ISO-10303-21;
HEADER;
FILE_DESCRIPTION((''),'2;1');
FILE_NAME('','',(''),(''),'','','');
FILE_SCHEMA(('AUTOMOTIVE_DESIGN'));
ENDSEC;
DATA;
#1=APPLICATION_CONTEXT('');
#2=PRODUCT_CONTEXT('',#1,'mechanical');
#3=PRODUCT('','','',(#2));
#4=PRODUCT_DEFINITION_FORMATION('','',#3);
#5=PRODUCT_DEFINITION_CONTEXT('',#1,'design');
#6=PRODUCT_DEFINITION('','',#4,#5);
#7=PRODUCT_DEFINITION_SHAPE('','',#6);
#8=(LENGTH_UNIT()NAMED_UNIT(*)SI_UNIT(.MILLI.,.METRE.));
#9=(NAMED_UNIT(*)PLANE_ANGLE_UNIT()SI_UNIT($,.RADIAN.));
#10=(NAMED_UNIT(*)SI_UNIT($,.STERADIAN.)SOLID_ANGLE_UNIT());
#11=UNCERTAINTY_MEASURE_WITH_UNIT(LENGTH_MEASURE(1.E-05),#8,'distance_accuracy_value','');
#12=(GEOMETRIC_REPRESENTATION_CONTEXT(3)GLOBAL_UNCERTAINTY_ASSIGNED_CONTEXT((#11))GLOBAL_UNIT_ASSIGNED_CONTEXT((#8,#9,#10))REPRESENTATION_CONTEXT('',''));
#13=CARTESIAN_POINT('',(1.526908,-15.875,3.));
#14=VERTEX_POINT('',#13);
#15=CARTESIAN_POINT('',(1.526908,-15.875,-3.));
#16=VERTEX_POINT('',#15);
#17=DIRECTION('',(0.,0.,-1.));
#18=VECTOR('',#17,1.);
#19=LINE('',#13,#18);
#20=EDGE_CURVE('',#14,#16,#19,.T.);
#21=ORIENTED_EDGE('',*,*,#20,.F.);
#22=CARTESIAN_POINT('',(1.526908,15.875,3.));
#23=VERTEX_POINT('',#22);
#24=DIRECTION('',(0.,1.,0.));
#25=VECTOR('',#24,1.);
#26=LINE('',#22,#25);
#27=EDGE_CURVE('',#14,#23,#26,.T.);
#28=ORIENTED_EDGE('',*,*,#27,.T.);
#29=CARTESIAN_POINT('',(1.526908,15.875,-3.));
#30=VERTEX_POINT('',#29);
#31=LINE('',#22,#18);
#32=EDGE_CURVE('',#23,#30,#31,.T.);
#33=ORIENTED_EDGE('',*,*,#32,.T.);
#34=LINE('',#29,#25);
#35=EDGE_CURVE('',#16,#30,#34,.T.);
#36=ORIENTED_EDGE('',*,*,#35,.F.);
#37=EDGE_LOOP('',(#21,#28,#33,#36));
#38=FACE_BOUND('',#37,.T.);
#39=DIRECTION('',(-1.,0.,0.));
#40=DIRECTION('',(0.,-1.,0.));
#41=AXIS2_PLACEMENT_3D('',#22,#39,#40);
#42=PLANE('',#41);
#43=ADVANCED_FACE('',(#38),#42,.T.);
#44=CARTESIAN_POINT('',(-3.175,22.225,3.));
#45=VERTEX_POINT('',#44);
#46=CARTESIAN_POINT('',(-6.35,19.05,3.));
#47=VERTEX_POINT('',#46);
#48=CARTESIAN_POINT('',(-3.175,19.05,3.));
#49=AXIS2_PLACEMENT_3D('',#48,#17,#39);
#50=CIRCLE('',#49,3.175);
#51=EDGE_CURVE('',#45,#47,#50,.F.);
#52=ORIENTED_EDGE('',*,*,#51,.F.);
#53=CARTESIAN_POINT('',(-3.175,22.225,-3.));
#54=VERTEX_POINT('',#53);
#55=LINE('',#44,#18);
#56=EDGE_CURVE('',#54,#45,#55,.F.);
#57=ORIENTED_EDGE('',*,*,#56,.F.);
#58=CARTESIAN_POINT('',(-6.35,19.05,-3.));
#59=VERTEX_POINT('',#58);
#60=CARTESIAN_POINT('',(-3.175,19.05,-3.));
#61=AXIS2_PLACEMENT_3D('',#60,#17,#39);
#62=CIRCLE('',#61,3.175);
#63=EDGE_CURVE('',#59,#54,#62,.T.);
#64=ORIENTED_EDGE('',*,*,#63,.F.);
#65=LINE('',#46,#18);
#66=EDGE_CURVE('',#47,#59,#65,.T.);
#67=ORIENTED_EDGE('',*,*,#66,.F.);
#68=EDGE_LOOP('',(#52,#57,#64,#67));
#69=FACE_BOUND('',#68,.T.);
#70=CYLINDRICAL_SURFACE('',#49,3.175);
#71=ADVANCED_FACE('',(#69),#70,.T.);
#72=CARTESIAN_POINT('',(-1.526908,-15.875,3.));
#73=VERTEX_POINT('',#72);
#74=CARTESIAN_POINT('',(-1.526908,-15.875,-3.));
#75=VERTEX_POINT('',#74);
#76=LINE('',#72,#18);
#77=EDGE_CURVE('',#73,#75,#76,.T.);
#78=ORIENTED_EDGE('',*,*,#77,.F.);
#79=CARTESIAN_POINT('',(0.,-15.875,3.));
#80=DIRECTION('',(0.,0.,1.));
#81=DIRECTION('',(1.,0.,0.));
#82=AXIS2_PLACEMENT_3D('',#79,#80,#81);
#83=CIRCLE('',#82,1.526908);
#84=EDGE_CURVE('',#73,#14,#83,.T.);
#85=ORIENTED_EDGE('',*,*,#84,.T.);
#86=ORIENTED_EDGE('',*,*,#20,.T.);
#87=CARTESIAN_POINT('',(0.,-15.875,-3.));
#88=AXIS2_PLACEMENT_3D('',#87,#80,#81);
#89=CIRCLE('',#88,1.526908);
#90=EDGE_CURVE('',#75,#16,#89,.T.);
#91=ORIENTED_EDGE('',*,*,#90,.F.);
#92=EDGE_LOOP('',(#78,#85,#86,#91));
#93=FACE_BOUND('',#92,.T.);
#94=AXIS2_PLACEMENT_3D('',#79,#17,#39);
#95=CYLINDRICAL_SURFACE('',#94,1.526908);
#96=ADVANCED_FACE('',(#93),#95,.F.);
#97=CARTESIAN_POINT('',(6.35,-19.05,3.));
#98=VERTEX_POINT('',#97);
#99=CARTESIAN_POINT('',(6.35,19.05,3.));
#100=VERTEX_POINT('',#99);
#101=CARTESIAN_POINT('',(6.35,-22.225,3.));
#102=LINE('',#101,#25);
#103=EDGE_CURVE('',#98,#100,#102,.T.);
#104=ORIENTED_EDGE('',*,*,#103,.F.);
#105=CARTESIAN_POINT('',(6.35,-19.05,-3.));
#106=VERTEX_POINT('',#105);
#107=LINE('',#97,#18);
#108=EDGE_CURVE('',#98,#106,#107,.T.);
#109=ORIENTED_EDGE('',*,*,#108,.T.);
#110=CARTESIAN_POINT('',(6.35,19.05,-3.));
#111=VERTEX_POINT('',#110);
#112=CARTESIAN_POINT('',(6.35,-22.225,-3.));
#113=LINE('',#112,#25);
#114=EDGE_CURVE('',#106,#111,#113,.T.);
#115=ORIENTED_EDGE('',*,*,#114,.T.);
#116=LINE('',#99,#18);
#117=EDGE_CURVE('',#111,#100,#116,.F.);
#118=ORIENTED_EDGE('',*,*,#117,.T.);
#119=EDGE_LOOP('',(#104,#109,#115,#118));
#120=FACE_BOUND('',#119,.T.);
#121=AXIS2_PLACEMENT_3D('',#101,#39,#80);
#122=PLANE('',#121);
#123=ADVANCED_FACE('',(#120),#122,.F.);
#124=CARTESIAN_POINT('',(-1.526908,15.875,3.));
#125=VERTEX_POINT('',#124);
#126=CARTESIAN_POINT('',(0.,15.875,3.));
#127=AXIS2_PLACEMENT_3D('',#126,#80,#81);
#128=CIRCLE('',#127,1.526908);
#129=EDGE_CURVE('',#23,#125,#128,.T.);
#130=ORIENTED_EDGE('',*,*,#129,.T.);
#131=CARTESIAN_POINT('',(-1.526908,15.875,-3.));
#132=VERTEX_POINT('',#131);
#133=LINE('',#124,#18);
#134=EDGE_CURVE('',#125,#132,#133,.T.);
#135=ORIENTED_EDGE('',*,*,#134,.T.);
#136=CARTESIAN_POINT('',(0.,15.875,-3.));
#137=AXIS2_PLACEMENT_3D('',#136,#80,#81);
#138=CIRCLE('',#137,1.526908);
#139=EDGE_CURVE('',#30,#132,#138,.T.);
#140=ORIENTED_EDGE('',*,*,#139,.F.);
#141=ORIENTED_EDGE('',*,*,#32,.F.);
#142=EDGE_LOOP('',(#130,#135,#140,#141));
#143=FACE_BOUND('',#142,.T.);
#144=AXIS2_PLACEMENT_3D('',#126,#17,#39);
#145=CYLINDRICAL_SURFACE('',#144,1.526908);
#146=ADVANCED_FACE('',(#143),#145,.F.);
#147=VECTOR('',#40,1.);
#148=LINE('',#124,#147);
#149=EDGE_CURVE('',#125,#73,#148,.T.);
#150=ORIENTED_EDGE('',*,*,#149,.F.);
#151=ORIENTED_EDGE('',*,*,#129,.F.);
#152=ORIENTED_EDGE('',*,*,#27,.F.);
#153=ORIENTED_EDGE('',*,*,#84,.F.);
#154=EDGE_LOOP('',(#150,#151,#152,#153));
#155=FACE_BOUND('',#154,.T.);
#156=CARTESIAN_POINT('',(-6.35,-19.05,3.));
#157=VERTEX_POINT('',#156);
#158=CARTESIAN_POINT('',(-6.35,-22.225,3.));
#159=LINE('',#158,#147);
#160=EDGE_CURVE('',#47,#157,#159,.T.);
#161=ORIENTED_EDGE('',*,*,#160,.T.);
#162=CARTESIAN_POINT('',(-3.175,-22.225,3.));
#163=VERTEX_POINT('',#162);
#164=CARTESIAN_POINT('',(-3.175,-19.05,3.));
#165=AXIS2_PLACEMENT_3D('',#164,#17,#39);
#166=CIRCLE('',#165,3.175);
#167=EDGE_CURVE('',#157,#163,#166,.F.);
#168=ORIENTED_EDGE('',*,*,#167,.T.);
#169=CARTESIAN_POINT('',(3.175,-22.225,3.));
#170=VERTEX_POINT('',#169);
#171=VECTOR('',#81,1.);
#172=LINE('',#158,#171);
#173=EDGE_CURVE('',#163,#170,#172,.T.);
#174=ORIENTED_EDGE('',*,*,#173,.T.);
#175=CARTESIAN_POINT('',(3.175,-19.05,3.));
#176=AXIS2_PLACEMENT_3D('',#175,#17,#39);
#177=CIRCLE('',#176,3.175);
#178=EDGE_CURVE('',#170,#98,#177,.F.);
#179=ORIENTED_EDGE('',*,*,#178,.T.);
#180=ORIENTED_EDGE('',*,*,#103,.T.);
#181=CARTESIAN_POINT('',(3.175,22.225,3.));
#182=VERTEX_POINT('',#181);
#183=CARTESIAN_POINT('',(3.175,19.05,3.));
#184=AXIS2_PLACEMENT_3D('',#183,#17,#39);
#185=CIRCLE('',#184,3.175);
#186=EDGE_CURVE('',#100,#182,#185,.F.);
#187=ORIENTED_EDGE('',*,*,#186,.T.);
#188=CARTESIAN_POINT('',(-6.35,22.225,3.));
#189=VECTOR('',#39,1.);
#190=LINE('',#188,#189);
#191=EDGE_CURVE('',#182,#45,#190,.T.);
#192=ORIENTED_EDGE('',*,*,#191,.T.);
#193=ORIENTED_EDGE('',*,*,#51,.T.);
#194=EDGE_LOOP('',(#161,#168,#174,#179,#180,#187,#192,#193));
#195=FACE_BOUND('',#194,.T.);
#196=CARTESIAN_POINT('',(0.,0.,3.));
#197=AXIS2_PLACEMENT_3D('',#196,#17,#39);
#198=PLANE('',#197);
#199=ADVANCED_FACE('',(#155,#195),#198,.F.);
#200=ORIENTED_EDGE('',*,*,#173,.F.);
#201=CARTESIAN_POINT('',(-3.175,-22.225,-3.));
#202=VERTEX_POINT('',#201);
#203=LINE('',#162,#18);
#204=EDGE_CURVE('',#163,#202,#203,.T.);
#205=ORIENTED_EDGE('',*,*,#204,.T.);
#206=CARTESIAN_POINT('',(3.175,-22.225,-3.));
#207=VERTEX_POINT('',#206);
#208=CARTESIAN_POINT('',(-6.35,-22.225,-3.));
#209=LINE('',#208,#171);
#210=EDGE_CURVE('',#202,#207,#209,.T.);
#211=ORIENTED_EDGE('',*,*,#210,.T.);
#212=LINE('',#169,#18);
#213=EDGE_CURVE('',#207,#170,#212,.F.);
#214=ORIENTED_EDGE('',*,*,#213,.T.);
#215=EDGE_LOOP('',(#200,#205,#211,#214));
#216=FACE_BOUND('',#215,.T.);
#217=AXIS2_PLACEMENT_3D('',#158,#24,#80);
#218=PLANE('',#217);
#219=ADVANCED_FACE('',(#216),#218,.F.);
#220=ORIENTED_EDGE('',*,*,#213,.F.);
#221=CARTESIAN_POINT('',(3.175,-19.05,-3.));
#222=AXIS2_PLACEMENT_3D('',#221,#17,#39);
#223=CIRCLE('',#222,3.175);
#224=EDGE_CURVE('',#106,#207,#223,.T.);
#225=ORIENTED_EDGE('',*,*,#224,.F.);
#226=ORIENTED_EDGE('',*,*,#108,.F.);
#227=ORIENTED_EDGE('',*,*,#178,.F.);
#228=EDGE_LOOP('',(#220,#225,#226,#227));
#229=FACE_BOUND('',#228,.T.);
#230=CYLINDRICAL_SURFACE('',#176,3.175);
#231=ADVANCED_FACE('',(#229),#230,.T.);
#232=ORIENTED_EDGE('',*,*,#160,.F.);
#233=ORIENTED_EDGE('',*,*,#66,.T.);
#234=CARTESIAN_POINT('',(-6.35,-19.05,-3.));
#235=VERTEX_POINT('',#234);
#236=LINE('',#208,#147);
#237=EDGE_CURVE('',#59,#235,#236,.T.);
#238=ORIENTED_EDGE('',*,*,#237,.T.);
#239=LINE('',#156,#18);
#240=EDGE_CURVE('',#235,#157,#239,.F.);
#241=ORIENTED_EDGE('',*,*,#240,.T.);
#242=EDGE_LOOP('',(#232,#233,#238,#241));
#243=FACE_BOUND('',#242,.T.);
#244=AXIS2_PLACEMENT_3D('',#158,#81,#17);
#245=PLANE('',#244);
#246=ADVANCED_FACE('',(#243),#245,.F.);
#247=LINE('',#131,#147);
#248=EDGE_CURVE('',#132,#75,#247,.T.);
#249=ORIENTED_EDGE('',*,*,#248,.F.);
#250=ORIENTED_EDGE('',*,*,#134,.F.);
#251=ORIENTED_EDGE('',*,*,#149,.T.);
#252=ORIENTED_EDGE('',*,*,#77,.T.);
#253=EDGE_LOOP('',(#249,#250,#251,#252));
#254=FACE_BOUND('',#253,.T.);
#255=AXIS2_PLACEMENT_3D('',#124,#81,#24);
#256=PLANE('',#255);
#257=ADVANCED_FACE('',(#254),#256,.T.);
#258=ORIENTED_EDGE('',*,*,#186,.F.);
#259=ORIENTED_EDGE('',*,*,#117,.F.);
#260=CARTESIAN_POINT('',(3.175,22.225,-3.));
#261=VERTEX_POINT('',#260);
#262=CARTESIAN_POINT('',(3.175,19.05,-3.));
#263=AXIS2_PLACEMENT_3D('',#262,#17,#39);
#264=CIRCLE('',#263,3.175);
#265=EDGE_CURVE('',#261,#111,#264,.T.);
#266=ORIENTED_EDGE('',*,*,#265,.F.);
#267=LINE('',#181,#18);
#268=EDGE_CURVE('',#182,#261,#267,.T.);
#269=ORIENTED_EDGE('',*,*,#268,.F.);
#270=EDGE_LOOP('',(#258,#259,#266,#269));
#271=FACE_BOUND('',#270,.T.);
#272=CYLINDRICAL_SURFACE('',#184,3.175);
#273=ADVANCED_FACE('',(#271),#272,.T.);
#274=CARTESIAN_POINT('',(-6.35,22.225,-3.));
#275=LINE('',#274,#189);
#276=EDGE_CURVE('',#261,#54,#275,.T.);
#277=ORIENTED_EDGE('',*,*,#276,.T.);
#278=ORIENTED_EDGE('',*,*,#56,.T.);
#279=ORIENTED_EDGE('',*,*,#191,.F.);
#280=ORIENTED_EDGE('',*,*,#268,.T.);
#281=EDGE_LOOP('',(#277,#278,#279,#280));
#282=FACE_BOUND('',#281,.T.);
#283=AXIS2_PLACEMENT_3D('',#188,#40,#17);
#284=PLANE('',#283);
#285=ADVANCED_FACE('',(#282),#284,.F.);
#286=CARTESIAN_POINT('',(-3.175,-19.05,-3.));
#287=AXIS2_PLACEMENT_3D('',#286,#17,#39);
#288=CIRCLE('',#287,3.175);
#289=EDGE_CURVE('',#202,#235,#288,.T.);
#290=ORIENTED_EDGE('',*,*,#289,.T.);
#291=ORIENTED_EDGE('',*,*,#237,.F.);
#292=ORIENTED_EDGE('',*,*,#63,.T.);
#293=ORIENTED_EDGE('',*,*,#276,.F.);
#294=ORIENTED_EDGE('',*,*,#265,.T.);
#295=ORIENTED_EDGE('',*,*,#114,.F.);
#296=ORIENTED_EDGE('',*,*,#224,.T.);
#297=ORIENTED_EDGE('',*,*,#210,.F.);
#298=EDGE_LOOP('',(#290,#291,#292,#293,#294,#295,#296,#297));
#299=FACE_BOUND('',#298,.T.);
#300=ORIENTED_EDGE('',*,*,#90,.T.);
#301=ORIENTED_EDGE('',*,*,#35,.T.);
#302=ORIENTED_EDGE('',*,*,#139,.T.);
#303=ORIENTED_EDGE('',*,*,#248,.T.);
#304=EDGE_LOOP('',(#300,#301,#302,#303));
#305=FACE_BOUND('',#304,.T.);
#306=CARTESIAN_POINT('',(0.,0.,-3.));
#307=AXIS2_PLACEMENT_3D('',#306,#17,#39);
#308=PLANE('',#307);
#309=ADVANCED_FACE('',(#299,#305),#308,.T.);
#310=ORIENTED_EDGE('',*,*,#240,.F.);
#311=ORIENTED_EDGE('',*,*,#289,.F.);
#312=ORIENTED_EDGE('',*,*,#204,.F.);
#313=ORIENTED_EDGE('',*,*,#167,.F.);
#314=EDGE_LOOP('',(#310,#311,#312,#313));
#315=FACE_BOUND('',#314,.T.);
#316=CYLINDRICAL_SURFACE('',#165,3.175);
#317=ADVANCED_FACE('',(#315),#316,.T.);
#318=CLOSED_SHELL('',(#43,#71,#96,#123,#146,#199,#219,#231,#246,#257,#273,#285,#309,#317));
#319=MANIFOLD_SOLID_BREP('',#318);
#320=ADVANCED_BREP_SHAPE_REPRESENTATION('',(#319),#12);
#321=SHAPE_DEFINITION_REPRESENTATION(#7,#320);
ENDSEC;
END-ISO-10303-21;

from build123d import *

# Parameters (mm, degrees)
SKETCH1_W           = 12.7
SKETCH1_H           = 44.45
BOSS_EXTRUDE1_DEPTH = 3
FILLET1_R           = 3.175


with BuildPart() as part:
    # Sketch1 → Boss-Extrude1 (new, symmetric)
    with BuildSketch(Plane.XY):
        Rectangle(SKETCH1_W, SKETCH1_H)
        with BuildLine():
            Line((1.526908397, 15.875), (1.526908397, -15.875))
            ThreePointArc((1.526908397, -15.875), (0, -17.401908397), (-1.526908397, -15.875))
            Line((-1.526908397, -15.875), (-1.526908397, 15.875))
            ThreePointArc((-1.526908397, 15.875), (0, 17.401908397), (1.526908397, 15.875))
        make_face(mode=Mode.SUBTRACT)
    extrude(amount=BOSS_EXTRUDE1_DEPTH, both=True)

    # Fillet1
    fillet1_edges = [part.edges().sort_by_distance(p)[0] for p in [
        (6.35, -22.225, 0),
        (-6.35, -22.225, 0),
        (-6.35, 22.225, 0),
        (6.35, 22.225, 0),
    ]]
    fillet(fillet1_edges, radius=FILLET1_R)


solid = part.part
